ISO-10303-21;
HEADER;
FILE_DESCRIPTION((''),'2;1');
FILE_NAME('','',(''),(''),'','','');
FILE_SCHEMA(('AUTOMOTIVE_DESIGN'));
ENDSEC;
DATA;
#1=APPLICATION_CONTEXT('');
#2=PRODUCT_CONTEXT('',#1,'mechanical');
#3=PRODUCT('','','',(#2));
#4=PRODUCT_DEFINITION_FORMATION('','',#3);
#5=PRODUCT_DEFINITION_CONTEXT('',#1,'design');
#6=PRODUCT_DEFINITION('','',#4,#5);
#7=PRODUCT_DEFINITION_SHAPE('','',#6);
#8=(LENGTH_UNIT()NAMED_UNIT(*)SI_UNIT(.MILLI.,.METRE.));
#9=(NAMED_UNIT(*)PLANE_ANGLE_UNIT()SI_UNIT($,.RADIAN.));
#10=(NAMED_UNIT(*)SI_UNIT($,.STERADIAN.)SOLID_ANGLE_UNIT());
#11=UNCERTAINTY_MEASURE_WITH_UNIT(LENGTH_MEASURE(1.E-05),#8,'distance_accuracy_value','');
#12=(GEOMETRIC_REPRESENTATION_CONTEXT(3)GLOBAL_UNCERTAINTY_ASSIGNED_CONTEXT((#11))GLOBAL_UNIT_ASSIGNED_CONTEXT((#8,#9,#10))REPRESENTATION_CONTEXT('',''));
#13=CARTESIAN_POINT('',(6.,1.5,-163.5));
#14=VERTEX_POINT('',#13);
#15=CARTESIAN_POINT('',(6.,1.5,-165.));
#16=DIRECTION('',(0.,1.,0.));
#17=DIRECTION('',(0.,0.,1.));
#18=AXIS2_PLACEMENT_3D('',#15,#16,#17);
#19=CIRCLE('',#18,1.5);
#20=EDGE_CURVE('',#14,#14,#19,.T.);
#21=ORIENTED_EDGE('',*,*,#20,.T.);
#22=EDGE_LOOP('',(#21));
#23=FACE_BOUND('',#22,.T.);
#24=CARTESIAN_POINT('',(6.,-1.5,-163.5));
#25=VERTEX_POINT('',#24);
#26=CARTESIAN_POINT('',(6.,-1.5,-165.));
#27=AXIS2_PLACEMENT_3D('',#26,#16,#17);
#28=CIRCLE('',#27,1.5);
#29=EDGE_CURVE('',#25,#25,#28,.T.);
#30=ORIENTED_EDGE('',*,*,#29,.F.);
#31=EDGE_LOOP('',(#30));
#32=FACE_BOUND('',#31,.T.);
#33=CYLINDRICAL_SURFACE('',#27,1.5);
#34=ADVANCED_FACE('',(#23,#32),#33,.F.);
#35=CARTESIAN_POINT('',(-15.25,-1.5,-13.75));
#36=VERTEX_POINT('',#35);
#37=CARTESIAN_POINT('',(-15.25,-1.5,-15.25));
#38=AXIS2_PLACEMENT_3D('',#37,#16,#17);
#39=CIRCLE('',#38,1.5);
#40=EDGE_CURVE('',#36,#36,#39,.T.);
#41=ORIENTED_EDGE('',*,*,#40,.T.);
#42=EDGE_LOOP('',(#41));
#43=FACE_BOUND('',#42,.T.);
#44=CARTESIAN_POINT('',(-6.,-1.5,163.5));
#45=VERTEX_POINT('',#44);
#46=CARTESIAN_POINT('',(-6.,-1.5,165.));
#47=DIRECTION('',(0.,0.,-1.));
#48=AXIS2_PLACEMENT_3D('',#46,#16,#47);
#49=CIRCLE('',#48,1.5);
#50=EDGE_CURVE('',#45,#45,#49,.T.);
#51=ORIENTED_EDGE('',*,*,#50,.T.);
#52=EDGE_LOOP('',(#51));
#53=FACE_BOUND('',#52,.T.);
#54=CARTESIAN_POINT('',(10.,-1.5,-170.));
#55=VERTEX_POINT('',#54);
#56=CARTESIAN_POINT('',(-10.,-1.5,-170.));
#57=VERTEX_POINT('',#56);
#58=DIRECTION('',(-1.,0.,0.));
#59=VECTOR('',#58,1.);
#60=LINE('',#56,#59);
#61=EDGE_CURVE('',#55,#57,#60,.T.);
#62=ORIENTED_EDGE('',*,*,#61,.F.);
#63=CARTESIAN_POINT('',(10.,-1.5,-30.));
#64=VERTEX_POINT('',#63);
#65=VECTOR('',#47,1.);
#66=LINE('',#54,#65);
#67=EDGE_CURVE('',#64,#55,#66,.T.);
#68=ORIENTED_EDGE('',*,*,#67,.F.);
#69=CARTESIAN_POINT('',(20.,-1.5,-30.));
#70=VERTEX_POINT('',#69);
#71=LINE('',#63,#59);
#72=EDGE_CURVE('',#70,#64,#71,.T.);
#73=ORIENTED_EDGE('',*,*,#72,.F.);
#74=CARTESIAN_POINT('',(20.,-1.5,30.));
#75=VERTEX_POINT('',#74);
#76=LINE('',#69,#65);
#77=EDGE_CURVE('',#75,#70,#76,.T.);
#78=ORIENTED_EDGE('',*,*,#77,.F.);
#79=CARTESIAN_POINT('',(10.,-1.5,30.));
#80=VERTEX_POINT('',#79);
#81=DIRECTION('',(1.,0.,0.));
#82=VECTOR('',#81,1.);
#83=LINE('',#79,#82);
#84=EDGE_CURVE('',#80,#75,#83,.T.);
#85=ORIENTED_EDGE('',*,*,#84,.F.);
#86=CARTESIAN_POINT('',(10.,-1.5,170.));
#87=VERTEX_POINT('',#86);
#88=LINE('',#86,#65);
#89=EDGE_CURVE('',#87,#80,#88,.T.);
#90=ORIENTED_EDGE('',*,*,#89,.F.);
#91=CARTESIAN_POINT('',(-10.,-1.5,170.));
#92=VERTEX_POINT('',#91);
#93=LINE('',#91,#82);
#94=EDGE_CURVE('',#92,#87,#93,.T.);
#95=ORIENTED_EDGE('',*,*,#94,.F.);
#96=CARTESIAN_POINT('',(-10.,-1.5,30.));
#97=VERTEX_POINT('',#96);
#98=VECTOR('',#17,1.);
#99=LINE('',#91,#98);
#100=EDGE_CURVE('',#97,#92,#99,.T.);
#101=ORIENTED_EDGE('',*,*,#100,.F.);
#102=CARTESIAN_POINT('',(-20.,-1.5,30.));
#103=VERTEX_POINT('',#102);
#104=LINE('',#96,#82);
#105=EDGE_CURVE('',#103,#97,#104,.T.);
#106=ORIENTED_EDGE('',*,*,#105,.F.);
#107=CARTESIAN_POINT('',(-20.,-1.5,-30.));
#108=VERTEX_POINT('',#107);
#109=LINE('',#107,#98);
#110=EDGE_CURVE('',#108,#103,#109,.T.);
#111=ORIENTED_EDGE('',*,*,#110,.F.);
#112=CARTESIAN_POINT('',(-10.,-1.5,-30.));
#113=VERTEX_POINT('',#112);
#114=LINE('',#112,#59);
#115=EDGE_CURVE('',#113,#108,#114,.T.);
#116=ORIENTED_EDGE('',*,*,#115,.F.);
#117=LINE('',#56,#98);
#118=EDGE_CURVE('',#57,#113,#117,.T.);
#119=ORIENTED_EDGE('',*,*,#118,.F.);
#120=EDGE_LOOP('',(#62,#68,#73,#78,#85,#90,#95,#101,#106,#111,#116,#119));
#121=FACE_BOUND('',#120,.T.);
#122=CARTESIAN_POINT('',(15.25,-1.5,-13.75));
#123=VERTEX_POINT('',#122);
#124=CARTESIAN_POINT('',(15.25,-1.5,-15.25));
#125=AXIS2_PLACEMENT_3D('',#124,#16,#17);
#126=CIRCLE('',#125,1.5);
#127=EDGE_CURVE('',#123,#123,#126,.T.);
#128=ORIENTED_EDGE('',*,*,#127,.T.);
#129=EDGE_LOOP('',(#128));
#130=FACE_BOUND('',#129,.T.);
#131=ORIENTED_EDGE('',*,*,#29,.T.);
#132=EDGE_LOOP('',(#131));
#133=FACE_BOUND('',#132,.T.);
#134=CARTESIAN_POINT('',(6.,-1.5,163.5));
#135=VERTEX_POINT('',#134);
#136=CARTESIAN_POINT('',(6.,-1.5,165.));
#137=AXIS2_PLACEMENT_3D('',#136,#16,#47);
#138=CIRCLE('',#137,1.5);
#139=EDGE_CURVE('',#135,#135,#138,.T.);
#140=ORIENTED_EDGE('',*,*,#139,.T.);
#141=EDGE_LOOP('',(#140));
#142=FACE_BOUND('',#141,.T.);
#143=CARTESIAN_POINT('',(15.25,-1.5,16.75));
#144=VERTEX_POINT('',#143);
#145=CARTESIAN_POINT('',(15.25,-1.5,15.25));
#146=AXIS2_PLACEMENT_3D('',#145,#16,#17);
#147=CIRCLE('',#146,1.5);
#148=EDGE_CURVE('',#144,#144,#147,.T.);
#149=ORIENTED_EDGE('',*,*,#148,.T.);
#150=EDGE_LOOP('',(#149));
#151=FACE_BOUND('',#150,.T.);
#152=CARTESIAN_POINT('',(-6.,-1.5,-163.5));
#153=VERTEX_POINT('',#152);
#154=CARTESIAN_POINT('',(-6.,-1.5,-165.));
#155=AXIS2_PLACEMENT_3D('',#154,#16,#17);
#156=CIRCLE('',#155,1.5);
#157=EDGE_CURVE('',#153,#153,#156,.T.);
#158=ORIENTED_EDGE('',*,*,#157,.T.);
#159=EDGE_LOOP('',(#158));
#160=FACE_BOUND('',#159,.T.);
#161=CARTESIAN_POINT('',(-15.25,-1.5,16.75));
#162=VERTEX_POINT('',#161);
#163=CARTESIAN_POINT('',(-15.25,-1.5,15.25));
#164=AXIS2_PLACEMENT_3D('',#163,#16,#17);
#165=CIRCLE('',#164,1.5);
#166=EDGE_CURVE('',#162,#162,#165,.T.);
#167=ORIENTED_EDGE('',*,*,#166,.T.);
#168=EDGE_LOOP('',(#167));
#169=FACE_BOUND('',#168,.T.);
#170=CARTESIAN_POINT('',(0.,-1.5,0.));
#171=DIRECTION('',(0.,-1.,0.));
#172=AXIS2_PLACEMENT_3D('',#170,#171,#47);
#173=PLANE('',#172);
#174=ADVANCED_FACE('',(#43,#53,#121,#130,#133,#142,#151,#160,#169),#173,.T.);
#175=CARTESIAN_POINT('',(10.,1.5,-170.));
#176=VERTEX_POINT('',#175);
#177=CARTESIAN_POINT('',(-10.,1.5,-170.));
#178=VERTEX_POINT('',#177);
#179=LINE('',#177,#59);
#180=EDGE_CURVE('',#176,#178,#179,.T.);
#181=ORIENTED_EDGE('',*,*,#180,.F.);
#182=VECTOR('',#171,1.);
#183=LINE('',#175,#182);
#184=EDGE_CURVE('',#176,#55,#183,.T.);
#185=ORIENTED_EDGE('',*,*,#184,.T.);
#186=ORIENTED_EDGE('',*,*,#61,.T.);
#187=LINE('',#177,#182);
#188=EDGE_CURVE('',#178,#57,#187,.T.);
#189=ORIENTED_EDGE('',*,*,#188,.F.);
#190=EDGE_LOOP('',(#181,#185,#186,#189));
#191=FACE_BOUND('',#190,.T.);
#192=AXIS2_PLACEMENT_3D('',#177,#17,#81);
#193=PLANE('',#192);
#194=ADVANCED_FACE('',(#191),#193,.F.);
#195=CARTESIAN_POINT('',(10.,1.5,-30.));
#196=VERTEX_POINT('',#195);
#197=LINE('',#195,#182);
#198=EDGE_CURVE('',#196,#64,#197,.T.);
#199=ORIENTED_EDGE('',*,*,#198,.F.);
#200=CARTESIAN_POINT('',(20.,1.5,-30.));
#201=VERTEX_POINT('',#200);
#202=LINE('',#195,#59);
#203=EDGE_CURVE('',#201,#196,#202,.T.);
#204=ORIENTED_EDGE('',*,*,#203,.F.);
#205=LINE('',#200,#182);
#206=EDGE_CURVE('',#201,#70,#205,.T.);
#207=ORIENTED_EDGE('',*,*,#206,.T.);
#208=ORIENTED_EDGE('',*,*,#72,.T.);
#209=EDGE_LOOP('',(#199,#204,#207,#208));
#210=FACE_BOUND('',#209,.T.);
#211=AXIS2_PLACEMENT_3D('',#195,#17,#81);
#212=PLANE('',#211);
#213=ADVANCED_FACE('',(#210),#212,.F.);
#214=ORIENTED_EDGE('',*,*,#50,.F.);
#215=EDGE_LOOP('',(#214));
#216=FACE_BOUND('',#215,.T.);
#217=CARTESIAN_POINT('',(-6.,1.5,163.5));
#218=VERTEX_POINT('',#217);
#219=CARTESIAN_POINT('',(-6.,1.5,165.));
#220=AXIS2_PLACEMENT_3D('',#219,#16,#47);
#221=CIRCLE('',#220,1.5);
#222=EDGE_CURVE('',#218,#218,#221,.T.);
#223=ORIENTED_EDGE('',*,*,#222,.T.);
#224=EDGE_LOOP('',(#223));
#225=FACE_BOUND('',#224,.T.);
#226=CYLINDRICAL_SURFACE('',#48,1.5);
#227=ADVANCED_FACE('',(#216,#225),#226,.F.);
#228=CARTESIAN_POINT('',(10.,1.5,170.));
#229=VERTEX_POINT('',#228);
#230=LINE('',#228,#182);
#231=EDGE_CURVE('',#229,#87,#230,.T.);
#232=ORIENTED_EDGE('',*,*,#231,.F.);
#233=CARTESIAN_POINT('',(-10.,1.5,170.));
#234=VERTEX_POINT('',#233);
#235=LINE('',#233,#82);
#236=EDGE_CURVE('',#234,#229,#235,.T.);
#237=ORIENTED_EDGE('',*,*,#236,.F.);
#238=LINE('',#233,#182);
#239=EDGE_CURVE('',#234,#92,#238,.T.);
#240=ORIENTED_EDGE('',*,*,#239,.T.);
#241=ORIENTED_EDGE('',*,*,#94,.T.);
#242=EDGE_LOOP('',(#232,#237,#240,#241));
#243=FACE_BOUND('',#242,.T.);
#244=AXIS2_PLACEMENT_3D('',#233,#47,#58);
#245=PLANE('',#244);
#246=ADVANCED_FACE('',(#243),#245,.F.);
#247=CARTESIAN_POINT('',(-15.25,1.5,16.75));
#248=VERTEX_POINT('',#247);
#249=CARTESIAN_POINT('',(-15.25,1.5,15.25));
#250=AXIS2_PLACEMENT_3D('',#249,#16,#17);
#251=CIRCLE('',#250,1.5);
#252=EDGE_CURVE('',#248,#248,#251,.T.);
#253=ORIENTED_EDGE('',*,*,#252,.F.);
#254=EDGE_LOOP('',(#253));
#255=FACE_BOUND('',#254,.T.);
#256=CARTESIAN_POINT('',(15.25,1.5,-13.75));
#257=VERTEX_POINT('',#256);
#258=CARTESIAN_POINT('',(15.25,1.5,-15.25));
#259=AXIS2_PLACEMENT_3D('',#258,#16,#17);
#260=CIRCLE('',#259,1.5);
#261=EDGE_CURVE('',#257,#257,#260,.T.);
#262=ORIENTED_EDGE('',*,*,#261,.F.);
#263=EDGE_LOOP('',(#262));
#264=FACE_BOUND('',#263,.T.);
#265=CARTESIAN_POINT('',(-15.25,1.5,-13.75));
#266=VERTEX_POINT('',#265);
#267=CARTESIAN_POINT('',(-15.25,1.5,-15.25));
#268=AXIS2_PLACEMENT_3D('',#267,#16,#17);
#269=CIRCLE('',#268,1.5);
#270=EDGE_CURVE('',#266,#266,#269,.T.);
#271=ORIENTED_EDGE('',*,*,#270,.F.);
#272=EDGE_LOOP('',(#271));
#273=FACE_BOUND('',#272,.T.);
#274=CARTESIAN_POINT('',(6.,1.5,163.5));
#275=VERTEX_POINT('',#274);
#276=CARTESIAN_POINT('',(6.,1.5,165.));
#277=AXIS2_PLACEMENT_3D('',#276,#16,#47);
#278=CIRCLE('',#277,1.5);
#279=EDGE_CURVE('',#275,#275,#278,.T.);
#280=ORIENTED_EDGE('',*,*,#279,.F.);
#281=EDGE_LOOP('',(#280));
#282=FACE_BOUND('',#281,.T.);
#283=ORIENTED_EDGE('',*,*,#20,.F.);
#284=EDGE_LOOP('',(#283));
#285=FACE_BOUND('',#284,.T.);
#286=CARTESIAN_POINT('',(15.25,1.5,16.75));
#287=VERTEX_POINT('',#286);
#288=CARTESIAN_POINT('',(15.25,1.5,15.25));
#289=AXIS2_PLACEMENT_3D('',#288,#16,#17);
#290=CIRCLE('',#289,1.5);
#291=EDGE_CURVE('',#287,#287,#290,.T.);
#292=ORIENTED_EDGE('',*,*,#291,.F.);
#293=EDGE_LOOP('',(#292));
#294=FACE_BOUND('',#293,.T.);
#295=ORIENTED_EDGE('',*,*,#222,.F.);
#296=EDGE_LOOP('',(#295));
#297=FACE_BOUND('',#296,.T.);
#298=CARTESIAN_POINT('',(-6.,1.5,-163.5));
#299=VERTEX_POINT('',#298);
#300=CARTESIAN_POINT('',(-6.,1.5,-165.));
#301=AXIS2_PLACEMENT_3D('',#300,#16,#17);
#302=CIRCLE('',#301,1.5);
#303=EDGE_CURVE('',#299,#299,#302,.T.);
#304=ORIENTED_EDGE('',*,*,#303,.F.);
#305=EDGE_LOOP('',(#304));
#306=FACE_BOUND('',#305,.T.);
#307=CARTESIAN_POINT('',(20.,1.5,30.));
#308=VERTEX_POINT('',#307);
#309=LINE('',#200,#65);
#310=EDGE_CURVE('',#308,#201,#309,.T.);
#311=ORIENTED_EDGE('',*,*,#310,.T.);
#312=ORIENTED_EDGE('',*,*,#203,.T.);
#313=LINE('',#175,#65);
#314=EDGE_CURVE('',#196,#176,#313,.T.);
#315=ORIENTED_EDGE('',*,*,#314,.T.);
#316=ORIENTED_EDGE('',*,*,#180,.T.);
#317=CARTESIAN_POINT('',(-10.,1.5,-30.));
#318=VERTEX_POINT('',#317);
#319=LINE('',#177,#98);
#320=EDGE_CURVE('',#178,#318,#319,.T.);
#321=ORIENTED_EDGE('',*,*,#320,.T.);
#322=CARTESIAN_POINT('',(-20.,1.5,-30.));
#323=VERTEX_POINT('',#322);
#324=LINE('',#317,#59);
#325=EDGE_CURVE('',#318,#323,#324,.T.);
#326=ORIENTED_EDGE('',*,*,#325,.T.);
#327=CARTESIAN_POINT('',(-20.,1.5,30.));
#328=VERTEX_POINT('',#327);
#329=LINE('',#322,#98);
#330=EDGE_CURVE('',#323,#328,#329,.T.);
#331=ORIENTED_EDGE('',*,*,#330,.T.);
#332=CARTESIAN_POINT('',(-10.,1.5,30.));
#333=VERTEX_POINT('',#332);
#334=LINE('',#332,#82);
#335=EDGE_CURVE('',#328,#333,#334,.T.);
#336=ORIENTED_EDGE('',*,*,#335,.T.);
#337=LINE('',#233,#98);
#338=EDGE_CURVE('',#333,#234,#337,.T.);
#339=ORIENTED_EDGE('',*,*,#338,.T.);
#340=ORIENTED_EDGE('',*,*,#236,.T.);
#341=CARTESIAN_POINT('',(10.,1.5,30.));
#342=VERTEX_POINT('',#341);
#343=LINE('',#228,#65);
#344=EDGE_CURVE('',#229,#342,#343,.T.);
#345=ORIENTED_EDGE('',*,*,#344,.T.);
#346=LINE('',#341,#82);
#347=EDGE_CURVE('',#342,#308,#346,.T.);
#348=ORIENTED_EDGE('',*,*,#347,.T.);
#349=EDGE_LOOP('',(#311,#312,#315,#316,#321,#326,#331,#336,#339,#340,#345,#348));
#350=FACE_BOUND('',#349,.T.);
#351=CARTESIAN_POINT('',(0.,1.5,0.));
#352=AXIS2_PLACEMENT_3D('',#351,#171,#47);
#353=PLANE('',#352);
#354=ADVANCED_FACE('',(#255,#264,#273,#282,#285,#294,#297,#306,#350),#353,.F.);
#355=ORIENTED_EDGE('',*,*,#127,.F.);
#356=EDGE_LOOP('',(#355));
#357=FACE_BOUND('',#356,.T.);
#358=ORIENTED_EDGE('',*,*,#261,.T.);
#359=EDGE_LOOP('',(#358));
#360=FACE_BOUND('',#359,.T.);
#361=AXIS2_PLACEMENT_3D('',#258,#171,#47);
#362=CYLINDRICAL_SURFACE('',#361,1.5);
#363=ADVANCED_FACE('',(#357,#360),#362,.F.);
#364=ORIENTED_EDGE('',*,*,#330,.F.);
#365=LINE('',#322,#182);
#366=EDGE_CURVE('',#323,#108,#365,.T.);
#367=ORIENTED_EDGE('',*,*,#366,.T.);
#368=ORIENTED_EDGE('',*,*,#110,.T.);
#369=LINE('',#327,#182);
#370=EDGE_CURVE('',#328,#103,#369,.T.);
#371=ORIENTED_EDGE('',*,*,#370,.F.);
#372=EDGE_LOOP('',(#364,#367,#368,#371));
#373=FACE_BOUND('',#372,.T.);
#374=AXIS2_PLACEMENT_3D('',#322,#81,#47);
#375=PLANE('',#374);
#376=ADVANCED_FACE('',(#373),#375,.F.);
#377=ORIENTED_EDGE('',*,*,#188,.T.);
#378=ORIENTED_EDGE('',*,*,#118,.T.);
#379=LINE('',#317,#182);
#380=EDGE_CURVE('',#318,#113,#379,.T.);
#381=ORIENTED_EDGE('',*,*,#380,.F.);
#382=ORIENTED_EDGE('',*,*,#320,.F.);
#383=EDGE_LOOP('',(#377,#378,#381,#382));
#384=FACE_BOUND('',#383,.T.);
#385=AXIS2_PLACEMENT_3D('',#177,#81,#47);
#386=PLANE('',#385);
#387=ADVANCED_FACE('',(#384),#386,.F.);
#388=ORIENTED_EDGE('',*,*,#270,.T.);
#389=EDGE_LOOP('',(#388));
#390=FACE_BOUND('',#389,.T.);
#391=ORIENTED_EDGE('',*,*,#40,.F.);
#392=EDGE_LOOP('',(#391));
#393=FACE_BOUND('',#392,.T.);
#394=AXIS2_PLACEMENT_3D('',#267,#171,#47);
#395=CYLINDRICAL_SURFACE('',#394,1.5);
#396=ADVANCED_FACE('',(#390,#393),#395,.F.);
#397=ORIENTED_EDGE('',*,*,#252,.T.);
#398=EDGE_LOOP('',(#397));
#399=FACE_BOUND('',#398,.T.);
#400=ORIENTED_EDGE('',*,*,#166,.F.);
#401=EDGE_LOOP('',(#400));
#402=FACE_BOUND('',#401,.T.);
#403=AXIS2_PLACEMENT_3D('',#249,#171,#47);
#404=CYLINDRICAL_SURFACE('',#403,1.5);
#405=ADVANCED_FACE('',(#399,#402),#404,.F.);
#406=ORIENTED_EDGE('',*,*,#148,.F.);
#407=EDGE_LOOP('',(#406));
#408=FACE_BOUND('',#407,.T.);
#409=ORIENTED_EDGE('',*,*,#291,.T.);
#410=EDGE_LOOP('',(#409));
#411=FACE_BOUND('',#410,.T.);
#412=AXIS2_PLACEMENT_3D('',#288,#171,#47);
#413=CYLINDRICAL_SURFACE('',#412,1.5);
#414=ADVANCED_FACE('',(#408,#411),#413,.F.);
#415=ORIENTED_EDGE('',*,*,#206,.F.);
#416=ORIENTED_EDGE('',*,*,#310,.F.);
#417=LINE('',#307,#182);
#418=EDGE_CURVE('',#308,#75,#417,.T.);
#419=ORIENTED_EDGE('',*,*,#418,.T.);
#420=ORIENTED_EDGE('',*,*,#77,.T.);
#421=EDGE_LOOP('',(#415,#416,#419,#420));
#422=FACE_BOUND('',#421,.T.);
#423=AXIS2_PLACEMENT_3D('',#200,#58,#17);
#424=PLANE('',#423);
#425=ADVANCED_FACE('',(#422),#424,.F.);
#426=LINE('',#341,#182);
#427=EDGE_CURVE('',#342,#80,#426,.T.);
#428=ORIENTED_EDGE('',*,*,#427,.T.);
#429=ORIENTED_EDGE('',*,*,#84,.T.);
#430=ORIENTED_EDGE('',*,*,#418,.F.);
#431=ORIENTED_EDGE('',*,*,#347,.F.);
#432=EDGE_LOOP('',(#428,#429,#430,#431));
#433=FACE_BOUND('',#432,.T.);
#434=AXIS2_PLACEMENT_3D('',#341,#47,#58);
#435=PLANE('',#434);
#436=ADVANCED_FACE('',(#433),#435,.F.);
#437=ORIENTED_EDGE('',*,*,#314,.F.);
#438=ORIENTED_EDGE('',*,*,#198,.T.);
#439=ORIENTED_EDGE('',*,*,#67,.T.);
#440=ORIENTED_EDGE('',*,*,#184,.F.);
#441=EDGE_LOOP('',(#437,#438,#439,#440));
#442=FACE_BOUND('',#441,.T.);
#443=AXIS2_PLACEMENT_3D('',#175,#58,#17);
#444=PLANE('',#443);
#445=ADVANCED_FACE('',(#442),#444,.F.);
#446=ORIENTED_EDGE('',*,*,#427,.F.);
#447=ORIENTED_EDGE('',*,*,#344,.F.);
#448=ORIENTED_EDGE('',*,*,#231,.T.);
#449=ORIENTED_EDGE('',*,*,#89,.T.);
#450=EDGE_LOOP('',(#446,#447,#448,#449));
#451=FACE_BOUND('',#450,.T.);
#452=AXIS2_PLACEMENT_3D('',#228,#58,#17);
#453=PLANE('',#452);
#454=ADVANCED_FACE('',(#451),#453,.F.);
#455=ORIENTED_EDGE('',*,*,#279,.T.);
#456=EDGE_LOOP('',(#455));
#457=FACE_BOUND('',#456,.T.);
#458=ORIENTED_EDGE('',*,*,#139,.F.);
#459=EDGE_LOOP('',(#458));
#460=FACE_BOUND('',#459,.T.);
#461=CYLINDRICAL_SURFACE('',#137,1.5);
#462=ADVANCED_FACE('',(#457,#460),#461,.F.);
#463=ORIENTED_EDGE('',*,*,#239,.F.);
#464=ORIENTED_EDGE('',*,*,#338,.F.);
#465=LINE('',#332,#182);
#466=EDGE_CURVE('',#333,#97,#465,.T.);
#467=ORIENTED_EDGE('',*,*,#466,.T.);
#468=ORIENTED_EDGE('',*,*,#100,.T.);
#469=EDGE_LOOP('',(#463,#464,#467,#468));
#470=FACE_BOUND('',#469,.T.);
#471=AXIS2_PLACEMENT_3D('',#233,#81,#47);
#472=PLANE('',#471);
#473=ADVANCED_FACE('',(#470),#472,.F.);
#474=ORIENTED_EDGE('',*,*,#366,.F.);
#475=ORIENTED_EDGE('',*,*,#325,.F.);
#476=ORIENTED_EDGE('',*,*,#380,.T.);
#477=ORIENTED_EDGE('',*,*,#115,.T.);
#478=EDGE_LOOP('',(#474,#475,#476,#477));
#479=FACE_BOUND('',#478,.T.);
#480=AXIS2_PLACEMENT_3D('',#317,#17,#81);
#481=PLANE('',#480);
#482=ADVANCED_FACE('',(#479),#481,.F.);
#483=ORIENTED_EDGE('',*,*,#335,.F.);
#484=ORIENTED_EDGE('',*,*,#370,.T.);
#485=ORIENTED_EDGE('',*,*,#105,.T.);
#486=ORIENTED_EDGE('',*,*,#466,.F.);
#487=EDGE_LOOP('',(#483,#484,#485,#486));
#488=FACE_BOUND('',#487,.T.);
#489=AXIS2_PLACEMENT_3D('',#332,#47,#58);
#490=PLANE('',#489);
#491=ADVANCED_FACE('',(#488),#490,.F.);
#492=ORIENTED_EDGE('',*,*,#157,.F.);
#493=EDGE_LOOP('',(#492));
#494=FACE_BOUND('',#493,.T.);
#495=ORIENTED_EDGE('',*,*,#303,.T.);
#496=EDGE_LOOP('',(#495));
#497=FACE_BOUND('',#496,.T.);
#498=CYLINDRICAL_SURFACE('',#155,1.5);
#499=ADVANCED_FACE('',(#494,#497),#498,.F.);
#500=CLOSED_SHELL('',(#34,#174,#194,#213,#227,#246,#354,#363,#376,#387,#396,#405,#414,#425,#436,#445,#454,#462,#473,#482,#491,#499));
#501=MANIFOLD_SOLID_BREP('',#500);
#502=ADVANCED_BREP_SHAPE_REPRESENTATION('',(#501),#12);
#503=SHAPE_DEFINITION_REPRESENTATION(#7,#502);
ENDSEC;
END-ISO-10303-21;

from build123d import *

# Parameters (mm, degrees)
SKETCH1_R            = 1.5
BOSS_EXTRUDE1_DEPTH  = 1.5
SKETCH2_R            = 1.5
CONNECTOR0HOLE_DEPTH = 172.17899988
CIRPATTERN1_COUNT    = 2


with BuildPart() as part:
    # Sketch1 → Boss-Extrude1 (new, symmetric)
    with BuildSketch(Plane(origin=(0, 0, 0), x_dir=(1, 0, 0), z_dir=(0, 1, 0))):
        Polygon((-10, 170), (-10, 30), (-20, 30), (-20, -30), (-10, -30), (-10, -170), (10, -170), (10, -30), (20, -30), (20, 30), (10, 30), (10, 170), align=None)
        with Locations((-15.25, 15.25)):
            Circle(SKETCH1_R, mode=Mode.SUBTRACT)
        with Locations((15.25, 15.25)):
            Circle(SKETCH1_R, mode=Mode.SUBTRACT)
        with Locations((15.25, -15.25)):
            Circle(SKETCH1_R, mode=Mode.SUBTRACT)
        with Locations((-15.25, -15.25)):
            Circle(SKETCH1_R, mode=Mode.SUBTRACT)
    extrude(amount=BOSS_EXTRUDE1_DEPTH, both=True)

    # Sketch2 → connector0hole (cut, symmetric)
    with BuildSketch(Plane(origin=(0, 0, 0), x_dir=(1, 0, 0), z_dir=(0, 1, 0))):
        with Locations((-6, 165)):
            Circle(SKETCH2_R)
        with Locations((6, 165)):
            Circle(SKETCH2_R)
    connector0hole = extrude(amount=CONNECTOR0HOLE_DEPTH, both=True, mode=Mode.SUBTRACT)

    # CirPattern1: connector0hole ×2 about axis
    cirpattern1_axis = Axis((0, 177.495542011, 0), (0, -1, 0))
    for i in range(1, CIRPATTERN1_COUNT):
        add(connector0hole.rotate(cirpattern1_axis, i * 360 / CIRPATTERN1_COUNT), mode=Mode.SUBTRACT)


solid = part.part
